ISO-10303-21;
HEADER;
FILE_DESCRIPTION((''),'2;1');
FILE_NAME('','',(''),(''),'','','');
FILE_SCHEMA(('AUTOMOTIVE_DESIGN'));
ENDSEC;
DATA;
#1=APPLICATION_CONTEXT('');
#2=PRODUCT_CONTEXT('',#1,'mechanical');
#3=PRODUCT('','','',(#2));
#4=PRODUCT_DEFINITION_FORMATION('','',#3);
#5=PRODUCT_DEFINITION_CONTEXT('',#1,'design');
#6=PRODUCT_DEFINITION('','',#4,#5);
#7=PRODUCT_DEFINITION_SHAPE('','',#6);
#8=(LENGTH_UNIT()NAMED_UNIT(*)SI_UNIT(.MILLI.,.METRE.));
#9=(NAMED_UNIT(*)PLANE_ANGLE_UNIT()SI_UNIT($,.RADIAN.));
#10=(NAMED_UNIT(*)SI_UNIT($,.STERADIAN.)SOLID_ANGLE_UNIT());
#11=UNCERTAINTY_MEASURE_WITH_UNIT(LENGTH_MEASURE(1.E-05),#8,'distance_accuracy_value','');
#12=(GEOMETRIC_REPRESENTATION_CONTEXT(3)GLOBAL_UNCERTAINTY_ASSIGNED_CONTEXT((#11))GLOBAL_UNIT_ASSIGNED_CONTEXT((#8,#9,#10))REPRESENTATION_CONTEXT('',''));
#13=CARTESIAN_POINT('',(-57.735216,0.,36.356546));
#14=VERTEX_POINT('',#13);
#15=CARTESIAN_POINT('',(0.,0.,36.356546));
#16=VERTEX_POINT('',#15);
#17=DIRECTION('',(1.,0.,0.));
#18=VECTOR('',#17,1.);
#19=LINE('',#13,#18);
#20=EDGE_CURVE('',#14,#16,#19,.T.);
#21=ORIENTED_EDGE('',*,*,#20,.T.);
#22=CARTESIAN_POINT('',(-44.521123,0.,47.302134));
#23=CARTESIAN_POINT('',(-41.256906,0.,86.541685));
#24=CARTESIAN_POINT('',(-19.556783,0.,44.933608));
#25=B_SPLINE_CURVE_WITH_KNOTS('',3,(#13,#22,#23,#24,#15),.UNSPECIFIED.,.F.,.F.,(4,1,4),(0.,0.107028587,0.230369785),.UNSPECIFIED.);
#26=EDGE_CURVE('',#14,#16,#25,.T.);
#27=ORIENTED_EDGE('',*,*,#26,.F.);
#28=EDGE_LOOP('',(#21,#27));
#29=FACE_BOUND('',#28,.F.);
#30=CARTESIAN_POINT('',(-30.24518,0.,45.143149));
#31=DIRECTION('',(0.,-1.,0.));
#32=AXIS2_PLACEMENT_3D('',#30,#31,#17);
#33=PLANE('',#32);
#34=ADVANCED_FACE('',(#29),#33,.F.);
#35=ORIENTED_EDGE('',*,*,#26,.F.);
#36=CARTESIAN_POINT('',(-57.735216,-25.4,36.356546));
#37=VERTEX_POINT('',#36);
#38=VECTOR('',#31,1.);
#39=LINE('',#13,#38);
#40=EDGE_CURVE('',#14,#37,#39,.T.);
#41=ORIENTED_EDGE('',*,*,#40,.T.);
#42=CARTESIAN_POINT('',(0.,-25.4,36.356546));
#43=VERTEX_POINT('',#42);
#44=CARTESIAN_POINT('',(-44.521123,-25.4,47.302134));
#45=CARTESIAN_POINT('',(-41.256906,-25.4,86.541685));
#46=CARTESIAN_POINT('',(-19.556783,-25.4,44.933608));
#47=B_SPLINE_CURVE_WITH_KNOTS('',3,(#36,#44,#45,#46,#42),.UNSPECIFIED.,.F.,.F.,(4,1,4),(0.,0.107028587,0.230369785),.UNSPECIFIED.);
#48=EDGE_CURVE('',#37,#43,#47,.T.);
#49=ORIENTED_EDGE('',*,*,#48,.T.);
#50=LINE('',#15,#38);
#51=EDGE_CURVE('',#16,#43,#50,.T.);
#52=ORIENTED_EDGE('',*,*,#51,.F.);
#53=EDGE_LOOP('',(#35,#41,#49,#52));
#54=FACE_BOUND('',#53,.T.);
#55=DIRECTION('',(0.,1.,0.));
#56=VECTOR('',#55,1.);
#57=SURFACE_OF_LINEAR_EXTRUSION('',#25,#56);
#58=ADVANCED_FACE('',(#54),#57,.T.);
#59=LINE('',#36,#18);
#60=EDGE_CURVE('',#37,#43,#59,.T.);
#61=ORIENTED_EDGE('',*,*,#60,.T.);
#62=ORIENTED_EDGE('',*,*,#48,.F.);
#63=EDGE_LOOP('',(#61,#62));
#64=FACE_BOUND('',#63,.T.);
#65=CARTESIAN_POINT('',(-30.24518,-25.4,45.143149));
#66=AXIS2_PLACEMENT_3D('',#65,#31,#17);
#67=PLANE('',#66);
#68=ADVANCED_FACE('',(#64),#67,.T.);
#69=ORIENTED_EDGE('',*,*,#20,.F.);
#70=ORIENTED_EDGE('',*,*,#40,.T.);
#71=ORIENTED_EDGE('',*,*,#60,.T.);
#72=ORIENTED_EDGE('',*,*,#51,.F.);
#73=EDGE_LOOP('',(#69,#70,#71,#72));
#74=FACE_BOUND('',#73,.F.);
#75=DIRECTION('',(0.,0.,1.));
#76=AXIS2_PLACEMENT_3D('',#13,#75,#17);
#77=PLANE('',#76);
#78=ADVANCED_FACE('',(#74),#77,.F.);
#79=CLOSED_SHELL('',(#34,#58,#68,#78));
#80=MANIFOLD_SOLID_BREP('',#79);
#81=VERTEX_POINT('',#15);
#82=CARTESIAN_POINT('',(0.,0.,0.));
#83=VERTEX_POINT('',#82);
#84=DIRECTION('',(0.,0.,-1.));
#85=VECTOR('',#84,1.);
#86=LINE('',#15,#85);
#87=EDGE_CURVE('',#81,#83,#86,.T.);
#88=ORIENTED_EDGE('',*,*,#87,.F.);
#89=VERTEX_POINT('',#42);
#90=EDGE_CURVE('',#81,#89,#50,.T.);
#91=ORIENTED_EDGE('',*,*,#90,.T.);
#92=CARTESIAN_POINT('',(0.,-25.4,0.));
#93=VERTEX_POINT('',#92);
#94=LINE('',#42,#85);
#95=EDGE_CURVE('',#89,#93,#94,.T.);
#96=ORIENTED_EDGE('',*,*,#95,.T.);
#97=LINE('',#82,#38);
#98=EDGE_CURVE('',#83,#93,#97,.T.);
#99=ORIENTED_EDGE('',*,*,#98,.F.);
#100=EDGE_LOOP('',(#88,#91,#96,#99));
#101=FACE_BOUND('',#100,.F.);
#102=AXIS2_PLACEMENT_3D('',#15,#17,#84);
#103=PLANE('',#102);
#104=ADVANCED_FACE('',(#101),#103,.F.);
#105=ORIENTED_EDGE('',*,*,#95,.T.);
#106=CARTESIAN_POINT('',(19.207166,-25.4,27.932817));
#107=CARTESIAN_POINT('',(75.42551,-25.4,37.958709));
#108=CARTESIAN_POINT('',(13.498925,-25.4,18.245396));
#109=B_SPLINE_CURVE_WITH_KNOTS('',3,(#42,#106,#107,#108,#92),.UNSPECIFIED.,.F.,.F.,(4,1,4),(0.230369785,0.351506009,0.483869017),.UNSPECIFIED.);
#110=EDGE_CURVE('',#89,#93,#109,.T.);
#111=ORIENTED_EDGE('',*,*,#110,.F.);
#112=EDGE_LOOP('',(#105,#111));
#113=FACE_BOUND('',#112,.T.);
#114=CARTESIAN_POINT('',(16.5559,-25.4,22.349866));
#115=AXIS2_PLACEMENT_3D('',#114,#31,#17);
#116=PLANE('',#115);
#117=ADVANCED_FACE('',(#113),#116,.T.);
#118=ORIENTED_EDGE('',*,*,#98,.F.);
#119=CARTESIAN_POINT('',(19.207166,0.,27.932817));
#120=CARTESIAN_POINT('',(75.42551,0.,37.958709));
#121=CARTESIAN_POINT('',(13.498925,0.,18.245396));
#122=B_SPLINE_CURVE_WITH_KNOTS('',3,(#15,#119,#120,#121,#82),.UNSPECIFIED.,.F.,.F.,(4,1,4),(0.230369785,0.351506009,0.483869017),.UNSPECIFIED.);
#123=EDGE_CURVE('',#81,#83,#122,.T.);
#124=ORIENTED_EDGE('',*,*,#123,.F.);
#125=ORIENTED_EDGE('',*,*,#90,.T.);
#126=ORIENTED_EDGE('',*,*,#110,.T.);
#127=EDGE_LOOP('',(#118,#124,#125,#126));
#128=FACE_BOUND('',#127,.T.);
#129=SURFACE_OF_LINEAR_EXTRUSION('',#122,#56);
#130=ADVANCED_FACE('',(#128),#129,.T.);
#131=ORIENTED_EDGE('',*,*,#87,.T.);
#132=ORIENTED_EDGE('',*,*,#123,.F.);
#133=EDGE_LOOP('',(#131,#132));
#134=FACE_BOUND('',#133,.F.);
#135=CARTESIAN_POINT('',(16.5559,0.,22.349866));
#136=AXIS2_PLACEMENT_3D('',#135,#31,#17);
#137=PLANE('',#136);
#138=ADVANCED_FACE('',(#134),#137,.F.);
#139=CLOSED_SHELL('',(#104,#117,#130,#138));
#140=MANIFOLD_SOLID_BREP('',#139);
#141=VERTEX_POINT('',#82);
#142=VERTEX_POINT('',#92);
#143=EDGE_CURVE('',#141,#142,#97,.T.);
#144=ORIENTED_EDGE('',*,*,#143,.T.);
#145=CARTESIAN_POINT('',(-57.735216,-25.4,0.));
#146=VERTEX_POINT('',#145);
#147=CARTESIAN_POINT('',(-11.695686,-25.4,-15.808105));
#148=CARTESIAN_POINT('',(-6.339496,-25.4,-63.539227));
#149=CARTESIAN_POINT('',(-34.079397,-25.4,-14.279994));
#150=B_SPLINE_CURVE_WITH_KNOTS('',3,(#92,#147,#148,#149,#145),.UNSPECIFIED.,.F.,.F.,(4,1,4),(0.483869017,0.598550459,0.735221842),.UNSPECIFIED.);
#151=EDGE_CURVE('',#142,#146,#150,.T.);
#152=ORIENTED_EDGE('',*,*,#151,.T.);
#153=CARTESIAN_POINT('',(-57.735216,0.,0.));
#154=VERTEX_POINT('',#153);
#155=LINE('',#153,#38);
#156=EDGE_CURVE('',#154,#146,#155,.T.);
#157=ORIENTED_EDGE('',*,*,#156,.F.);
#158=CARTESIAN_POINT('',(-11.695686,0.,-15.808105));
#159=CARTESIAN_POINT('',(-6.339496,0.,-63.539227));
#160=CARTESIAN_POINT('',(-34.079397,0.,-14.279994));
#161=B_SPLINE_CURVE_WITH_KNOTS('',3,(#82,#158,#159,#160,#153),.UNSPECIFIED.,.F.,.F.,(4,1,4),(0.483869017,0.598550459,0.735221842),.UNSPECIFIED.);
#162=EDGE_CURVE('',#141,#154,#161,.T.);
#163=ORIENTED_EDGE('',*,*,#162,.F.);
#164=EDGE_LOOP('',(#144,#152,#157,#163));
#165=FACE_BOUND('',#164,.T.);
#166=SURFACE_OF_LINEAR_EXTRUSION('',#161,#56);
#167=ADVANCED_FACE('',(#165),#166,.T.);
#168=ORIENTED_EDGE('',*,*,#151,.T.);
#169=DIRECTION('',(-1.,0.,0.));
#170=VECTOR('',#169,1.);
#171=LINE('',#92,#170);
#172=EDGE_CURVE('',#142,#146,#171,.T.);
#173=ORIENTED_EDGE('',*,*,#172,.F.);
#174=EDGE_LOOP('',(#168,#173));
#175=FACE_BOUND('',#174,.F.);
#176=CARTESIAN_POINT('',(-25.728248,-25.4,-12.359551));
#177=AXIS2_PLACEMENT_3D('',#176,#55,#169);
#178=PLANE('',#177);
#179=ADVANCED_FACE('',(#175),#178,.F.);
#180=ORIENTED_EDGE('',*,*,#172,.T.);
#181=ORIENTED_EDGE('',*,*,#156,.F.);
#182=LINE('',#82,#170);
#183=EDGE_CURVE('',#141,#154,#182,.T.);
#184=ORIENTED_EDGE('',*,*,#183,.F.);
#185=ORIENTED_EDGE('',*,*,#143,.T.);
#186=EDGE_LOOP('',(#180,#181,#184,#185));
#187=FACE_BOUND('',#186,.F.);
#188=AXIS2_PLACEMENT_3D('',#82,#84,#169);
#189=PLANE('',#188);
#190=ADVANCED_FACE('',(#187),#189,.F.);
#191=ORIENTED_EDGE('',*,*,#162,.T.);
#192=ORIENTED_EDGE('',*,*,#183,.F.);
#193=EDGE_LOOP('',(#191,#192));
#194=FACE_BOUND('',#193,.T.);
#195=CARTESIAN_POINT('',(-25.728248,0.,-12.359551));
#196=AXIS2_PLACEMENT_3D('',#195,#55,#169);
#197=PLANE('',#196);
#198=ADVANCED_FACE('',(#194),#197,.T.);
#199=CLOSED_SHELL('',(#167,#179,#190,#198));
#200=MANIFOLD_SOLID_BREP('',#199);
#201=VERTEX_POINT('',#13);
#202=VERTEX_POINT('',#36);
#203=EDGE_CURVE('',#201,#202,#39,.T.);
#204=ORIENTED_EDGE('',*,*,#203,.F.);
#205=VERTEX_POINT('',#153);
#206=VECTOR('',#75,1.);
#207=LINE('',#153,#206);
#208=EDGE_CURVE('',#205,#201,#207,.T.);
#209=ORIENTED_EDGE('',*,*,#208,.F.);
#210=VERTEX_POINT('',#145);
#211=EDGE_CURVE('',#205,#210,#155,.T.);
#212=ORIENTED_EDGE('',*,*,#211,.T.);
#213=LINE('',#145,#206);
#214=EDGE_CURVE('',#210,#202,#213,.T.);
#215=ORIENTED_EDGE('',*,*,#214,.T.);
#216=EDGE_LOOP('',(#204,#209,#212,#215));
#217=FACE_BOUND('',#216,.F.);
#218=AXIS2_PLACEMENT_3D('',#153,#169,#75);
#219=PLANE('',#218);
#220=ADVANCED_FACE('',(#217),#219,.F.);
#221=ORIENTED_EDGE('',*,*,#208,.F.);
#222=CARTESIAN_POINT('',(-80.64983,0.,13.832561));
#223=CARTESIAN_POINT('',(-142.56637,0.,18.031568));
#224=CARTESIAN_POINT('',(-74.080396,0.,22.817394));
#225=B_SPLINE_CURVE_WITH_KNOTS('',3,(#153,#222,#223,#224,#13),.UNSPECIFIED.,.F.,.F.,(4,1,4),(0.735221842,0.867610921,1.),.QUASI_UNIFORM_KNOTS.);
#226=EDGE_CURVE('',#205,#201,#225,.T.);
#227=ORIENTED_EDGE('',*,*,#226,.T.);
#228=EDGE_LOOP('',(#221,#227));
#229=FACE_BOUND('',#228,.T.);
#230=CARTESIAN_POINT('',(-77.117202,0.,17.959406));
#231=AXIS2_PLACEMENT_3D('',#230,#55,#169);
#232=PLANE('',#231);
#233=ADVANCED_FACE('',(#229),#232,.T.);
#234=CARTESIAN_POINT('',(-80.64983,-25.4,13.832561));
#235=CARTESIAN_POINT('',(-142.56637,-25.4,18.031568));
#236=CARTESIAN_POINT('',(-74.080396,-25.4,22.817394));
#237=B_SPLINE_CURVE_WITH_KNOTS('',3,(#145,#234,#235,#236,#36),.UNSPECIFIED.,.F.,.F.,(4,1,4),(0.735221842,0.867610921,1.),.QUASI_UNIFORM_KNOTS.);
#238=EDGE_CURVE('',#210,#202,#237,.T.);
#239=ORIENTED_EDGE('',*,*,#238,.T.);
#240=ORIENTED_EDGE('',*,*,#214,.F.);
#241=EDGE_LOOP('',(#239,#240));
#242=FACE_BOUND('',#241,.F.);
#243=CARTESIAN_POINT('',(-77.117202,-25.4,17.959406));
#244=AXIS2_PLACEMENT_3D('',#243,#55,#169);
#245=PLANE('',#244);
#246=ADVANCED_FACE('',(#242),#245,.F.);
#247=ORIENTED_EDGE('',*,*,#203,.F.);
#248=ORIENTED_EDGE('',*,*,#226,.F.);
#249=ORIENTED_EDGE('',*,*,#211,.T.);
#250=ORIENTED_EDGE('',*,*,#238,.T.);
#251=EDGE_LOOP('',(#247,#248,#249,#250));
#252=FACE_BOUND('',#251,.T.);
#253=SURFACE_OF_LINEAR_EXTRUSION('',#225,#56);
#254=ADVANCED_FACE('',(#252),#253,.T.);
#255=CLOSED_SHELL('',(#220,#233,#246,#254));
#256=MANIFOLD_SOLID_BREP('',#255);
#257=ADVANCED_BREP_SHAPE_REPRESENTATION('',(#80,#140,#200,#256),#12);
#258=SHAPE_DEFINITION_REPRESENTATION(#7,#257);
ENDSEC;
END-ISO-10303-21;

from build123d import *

# Parameters (mm, degrees)
F1_DEPTH = 25.4


with BuildPart() as f1:
    # F0 (on Front) → F1 (new body)
    with BuildSketch(Plane.XZ):
        with BuildLine():
            add(Edge.make_bspline(
                [(0, 0), (-11.6956861938, -15.8081054352), (-6.3394963159, -63.5392271208), (-34.0793971735, -14.2799942658), (-57.7352158725, 0)],
                knots=[0.483869017, 0.483869017, 0.483869017, 0.483869017, 0.5985504595, 0.735221842, 0.735221842, 0.735221842, 0.735221842], degree=3))
            Line((0, 0), (-57.7352158725, 0))
        make_face()
    extrude(amount=F1_DEPTH)


with BuildPart() as f1b:
    # F0 (on Front) → F1, piece 2 (new body)
    with BuildSketch(Plane.XZ):
        with BuildLine():
            add(Edge.make_bspline(
                [(-57.7352158725, 0), (-80.6498304168, 13.8325613862), (-142.5663699976, 18.0315682787), (-74.0803961255, 22.8173940259), (-57.7352158725, 36.3565459847)],
                knots=[0.735221842, 0.735221842, 0.735221842, 0.735221842, 0.867610921, 1, 1, 1, 1], degree=3))
            Line((-57.7352158725, 0), (-57.7352158725, 36.3565459847))
        make_face()
    extrude(amount=F1_DEPTH)


with BuildPart() as f1c:
    # F0 (on Front) → F1, piece 3 (new body)
    with BuildSketch(Plane.XZ):
        with BuildLine():
            Line((-57.7352158725, 36.3565459847), (0, 36.3565459847))
            add(Edge.make_bspline(
                [(-57.7352158725, 36.3565459847), (-44.521123339, 47.3021338608), (-41.256905931, 86.5416845028), (-19.5567828877, 44.9336076077), (0, 36.3565459847)],
                knots=[0, 0, 0, 0, 0.1070285866, 0.230369785, 0.230369785, 0.230369785, 0.230369785], degree=3))
        make_face()
    extrude(amount=F1_DEPTH)


with BuildPart() as f1d:
    # F0 (on Front) → F1, piece 4 (new body)
    with BuildSketch(Plane.XZ):
        with BuildLine():
            Line((0, 36.3565459847), (0, 0))
            add(Edge.make_bspline(
                [(0, 36.3565459847), (19.207165717, 27.9328167393), (75.4255104082, 37.9587088662), (13.4989250969, 18.2453964356), (0, 0)],
                knots=[0.230369785, 0.230369785, 0.230369785, 0.230369785, 0.3515060092, 0.483869017, 0.483869017, 0.483869017, 0.483869017], degree=3))
        make_face()
    extrude(amount=F1_DEPTH)


solid = Compound([f1.part, f1b.part, f1c.part, f1d.part])
